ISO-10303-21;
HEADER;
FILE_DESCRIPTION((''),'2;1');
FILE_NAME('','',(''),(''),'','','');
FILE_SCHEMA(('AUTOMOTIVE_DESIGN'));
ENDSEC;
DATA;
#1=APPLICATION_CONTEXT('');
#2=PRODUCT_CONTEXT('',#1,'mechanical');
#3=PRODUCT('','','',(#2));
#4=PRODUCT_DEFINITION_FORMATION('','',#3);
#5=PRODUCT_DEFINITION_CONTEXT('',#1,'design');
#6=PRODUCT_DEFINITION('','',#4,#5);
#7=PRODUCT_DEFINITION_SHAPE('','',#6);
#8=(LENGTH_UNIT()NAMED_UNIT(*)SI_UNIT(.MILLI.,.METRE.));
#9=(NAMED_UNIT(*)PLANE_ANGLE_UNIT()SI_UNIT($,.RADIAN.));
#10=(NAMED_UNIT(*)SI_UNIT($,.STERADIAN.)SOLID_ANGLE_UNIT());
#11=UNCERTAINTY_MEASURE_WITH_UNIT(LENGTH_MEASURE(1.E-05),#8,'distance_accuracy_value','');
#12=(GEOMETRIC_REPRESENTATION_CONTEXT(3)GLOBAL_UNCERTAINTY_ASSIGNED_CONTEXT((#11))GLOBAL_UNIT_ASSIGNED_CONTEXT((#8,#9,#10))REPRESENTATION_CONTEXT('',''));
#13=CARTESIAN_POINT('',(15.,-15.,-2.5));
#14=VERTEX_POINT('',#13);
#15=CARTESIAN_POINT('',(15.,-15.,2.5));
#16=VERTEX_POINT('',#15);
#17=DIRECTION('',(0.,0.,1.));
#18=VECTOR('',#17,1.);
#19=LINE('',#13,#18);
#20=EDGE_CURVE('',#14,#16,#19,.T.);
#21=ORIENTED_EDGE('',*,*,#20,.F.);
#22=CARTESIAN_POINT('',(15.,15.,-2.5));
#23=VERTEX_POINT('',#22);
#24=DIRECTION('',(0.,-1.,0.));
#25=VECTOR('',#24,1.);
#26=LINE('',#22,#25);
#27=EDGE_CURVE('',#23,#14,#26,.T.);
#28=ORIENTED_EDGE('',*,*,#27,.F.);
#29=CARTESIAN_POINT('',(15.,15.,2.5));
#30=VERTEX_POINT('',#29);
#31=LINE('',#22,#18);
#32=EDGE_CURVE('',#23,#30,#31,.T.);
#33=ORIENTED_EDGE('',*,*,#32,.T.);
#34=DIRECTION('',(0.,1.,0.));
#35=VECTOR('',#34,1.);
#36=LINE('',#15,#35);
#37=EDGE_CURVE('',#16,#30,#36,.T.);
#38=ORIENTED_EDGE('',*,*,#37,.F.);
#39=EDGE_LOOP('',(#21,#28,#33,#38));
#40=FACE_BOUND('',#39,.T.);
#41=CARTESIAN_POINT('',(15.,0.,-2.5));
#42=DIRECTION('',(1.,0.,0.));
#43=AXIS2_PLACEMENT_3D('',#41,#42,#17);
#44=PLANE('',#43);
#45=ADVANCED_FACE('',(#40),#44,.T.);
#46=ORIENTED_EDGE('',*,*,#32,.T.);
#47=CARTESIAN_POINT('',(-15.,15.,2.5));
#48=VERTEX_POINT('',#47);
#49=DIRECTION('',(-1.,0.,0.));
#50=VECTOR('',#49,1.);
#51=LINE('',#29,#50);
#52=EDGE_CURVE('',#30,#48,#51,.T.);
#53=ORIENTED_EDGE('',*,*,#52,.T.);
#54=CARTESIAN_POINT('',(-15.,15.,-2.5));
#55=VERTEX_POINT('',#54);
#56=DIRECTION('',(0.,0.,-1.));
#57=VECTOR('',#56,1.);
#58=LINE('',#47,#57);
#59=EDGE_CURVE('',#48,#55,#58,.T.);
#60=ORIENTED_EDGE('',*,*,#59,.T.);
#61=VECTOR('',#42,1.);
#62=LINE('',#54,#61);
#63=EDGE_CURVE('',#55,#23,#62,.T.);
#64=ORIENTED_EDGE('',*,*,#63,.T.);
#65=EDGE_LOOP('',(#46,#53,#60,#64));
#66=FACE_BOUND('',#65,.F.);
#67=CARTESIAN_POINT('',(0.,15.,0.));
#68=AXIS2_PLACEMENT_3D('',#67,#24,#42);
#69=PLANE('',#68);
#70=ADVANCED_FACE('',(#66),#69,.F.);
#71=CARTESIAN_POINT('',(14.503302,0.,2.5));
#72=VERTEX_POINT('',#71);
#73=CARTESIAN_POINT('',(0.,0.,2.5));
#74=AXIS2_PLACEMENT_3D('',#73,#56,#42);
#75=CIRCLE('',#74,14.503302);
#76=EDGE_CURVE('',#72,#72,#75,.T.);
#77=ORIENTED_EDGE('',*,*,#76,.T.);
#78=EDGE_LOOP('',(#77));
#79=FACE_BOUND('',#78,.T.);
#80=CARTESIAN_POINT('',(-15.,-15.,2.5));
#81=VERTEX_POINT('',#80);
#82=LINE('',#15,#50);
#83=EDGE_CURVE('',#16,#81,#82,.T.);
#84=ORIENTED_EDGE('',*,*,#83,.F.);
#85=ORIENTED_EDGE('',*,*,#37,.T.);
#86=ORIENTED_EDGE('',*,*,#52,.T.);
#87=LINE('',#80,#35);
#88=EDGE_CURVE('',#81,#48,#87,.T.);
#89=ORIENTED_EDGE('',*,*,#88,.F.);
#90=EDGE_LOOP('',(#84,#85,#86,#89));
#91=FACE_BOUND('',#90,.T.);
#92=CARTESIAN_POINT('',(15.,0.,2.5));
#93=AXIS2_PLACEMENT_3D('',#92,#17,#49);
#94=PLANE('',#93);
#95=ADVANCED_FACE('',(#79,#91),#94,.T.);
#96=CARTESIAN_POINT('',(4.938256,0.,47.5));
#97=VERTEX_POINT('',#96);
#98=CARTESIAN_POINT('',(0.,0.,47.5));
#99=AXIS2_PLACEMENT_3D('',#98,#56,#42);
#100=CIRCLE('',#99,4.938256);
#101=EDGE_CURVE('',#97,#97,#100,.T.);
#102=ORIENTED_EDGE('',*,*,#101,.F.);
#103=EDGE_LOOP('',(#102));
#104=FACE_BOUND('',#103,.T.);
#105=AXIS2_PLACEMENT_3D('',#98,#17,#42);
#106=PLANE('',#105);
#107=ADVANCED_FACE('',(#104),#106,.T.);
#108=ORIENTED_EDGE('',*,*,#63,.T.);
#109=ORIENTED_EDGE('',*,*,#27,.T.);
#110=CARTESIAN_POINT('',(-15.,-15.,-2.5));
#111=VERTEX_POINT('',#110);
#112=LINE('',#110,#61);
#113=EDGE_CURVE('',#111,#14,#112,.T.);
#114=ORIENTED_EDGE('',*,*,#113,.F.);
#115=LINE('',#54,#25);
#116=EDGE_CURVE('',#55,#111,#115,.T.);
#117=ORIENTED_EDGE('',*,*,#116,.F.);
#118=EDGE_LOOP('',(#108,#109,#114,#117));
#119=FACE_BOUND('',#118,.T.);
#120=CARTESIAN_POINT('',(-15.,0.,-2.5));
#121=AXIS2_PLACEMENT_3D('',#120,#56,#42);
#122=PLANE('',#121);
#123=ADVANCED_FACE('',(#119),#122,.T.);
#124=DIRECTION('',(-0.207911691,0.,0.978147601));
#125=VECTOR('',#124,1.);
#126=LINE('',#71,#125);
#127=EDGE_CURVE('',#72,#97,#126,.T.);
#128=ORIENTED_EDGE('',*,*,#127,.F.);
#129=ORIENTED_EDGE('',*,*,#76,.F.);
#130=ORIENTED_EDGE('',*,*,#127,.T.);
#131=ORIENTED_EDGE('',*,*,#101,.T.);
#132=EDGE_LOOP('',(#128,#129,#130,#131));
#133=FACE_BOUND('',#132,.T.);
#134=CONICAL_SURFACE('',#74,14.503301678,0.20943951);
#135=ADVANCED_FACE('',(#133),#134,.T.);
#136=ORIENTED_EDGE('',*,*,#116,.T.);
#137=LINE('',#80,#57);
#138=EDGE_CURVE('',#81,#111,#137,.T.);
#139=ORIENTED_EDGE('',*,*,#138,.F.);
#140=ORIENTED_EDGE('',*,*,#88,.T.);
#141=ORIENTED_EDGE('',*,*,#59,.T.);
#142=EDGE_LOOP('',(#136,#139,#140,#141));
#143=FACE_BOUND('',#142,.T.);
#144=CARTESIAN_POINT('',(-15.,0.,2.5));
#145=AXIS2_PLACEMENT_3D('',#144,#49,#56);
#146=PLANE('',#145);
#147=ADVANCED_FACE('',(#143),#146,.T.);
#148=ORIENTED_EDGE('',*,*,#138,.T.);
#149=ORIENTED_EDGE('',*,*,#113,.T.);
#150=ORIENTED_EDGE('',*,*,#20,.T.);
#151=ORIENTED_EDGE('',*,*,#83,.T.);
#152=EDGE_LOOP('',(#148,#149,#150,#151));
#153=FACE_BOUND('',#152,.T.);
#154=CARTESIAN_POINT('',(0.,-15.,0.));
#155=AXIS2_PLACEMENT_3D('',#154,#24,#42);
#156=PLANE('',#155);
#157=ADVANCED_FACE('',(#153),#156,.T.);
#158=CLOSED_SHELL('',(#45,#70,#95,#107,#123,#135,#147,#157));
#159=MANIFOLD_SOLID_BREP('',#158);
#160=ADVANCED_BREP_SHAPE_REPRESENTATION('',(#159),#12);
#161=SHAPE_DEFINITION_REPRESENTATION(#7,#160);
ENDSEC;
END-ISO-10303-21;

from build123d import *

# Parameters (mm, degrees)
F2_DEPTH = 15
F3_R     = 14.5033016781
F4_DEPTH = 45
F4_TAPER = 12


with BuildPart() as f2:
    # F1 (on Front) → F2 (new body, symmetric)
    with BuildSketch(Plane.XZ):
        Polygon((-12.5, 2.5), (-15, 2.5), (-15, -2.5), (15, -2.5), (15, 2.5), (12.5, 2.5), (0, 2.5), align=None)
    extrude(amount=F2_DEPTH, both=True)

    # F3 (on face) → F4 (join)
    with BuildSketch(Plane.XY.offset(2.5)):
        Circle(F3_R)
    extrude(amount=F4_DEPTH, taper=F4_TAPER)


solid = f2.part
